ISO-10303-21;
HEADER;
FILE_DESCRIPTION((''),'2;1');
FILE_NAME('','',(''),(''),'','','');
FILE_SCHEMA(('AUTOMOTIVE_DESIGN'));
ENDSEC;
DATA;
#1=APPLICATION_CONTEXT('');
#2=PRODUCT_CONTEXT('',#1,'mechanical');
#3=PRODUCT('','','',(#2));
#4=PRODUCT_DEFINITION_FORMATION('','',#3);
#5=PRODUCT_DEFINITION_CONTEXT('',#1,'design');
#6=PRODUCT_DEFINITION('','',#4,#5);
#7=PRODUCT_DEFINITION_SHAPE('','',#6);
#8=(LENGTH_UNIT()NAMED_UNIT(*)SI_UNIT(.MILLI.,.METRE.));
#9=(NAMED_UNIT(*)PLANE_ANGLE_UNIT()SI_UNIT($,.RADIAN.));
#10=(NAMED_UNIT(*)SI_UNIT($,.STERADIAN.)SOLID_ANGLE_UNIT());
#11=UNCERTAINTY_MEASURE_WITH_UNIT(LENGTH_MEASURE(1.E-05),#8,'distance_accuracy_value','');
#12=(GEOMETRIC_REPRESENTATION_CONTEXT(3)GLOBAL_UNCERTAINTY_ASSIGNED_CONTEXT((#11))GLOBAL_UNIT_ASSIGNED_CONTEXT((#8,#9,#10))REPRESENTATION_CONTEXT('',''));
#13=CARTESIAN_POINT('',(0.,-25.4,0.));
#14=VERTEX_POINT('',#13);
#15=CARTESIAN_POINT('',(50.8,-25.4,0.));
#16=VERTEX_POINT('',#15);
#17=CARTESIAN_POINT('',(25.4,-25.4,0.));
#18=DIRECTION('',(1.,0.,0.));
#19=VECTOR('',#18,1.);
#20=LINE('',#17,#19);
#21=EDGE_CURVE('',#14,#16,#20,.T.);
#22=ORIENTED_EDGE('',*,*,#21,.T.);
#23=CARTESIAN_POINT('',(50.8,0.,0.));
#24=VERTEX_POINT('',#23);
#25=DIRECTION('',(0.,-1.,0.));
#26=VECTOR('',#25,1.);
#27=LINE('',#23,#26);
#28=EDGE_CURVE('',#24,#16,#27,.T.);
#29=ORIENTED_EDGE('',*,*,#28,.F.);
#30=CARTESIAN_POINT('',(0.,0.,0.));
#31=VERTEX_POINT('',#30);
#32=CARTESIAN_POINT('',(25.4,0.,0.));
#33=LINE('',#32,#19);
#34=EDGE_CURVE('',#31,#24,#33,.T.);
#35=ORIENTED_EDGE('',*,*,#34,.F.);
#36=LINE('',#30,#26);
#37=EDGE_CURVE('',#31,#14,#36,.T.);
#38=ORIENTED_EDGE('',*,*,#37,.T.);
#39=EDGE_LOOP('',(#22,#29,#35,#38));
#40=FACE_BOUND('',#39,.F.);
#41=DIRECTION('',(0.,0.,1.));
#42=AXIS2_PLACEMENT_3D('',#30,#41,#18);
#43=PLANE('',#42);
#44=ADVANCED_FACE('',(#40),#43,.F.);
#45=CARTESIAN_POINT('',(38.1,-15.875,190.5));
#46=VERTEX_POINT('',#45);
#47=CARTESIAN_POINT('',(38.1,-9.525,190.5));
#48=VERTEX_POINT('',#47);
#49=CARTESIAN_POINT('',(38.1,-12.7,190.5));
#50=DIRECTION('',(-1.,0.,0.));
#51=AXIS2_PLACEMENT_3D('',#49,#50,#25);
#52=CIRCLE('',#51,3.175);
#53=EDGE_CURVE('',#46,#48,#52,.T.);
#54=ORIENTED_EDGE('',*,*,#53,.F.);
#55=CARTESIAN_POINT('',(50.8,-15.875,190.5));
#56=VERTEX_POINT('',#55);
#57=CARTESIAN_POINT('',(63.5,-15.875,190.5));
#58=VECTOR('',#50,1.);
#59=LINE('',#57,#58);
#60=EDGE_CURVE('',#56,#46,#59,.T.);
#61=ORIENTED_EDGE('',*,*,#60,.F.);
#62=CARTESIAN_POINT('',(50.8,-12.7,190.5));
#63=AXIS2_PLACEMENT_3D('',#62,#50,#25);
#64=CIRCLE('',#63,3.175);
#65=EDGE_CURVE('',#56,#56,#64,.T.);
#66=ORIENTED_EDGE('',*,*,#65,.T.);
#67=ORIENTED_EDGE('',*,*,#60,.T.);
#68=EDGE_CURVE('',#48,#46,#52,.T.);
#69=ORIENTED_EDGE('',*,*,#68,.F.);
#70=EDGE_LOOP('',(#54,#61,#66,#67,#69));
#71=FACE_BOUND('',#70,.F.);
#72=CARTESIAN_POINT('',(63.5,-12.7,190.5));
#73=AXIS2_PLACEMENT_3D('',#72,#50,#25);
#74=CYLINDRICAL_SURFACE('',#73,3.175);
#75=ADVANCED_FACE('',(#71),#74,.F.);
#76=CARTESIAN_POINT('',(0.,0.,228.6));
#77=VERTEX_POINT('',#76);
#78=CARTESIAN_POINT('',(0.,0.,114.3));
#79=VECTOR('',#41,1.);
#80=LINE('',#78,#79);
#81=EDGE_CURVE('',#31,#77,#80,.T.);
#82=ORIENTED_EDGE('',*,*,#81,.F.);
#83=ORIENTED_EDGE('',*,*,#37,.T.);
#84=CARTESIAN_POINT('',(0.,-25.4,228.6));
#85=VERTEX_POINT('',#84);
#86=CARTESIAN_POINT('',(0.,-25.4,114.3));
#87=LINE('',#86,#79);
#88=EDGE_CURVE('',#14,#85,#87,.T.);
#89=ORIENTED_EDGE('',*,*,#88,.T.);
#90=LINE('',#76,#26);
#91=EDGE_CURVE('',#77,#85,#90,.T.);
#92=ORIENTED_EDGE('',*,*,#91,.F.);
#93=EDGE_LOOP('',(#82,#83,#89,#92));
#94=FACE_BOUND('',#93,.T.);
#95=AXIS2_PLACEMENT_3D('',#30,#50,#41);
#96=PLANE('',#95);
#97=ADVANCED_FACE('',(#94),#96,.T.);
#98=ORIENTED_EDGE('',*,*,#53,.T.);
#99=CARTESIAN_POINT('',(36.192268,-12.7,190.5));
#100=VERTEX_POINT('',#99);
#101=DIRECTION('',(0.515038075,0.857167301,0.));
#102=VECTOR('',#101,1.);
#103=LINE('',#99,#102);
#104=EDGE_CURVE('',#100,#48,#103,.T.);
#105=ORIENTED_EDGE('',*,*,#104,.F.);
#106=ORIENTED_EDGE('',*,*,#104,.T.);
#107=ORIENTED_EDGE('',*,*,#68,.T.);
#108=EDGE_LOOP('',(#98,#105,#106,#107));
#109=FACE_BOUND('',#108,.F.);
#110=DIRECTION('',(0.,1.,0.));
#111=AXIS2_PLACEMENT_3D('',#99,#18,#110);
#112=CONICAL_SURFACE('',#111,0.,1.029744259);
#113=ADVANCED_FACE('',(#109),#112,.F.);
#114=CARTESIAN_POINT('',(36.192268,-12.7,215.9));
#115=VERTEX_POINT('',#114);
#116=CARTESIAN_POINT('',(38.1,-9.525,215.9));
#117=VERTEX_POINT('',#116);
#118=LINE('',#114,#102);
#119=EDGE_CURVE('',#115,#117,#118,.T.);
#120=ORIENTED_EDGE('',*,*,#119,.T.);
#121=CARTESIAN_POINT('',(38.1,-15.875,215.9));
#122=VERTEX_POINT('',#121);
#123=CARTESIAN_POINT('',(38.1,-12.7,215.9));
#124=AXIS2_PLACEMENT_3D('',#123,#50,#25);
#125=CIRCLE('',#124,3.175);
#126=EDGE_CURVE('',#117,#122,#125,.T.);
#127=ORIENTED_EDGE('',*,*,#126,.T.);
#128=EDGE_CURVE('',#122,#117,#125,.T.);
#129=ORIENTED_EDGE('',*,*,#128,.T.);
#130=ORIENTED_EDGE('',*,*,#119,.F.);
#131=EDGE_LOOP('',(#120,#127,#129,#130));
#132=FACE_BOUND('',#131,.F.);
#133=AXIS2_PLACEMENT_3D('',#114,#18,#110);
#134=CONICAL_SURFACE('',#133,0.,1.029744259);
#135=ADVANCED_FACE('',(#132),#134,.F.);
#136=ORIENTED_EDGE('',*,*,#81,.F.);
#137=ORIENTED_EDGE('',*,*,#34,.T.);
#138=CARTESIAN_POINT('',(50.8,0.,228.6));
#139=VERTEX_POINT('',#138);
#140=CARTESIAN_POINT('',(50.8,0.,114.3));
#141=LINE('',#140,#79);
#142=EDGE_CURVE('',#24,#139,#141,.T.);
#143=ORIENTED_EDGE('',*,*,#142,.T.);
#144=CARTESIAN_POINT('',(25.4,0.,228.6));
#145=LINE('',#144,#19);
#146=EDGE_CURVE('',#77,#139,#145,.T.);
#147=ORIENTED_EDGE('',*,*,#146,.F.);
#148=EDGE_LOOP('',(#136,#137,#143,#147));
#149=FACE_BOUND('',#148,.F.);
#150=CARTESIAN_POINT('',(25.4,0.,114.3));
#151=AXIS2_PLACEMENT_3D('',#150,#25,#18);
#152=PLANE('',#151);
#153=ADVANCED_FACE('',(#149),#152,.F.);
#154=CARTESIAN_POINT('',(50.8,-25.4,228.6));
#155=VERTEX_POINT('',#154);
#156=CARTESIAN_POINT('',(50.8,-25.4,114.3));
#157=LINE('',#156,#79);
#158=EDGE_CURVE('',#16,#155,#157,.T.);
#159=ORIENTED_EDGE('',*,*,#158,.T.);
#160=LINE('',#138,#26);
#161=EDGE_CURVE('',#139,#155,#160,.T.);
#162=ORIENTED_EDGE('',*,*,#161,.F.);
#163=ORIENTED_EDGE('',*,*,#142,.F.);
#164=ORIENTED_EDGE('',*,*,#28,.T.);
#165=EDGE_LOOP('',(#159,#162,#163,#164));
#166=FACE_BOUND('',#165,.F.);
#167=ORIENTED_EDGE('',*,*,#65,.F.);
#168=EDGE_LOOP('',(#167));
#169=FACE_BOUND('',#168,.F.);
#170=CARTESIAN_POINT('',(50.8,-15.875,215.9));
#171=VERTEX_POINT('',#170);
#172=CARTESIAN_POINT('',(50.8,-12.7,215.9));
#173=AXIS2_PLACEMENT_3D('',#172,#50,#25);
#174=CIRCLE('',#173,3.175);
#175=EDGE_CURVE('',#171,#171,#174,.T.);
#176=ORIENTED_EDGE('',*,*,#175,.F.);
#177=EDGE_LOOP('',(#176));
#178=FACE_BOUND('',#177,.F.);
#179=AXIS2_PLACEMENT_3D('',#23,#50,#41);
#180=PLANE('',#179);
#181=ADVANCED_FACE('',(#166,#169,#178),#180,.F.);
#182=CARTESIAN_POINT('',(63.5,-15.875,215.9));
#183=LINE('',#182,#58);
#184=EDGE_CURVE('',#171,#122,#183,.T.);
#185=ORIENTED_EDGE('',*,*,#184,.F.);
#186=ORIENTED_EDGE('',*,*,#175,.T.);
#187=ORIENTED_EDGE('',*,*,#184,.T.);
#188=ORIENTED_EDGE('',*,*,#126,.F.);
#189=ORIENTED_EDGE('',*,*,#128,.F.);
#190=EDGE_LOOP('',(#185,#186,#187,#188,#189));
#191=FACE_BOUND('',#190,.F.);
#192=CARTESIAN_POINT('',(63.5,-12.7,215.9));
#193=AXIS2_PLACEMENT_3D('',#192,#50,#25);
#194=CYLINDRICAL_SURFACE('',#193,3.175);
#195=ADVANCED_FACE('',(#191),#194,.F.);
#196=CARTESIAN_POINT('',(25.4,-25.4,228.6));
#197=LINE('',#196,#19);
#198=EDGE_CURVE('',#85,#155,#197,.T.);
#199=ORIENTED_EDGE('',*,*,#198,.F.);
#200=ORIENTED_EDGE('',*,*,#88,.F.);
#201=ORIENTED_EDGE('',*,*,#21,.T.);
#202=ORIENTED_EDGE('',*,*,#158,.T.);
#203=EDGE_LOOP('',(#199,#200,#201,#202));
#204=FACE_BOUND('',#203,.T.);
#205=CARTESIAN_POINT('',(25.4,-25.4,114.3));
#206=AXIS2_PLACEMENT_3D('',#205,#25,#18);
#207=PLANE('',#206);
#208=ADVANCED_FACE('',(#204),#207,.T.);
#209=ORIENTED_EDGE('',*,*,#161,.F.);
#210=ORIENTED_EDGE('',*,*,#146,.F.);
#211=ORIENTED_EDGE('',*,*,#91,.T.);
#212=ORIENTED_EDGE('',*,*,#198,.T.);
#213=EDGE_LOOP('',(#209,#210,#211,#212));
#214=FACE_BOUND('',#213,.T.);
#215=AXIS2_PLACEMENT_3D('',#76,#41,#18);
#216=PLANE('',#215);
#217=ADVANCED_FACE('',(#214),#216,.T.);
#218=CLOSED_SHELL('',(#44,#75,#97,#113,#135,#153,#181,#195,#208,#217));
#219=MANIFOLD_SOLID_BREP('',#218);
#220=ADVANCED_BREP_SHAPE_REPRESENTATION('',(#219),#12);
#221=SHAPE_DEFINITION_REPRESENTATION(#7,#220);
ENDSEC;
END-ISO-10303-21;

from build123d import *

# Parameters (mm, degrees)
F0_W     = 50.8
F0_H     = 228.6
F1_DEPTH = 25.4
F3_D     = 6.35
F3_DEPTH = 12.7
F3_TIP   = 1.9077324654


with BuildPart() as f1:
    # F0 (on Front) → F1 (new body)
    with BuildSketch(Plane.XZ):
        with Locations((25.4, 114.3)):
            Rectangle(F0_W, F0_H)
    extrude(amount=F1_DEPTH)

    # F3
    with Locations(Plane.YZ.offset(50.8)):
        with Locations((-12.7, 215.9), (-12.7, 190.5)):
            Hole(F3_D / 2, depth=F3_DEPTH)
            with Locations((0, 0, -(F3_DEPTH + F3_TIP / 2))):  # 118° drill point
                Cone(0, F3_D / 2, F3_TIP, mode=Mode.SUBTRACT)


solid = f1.part
